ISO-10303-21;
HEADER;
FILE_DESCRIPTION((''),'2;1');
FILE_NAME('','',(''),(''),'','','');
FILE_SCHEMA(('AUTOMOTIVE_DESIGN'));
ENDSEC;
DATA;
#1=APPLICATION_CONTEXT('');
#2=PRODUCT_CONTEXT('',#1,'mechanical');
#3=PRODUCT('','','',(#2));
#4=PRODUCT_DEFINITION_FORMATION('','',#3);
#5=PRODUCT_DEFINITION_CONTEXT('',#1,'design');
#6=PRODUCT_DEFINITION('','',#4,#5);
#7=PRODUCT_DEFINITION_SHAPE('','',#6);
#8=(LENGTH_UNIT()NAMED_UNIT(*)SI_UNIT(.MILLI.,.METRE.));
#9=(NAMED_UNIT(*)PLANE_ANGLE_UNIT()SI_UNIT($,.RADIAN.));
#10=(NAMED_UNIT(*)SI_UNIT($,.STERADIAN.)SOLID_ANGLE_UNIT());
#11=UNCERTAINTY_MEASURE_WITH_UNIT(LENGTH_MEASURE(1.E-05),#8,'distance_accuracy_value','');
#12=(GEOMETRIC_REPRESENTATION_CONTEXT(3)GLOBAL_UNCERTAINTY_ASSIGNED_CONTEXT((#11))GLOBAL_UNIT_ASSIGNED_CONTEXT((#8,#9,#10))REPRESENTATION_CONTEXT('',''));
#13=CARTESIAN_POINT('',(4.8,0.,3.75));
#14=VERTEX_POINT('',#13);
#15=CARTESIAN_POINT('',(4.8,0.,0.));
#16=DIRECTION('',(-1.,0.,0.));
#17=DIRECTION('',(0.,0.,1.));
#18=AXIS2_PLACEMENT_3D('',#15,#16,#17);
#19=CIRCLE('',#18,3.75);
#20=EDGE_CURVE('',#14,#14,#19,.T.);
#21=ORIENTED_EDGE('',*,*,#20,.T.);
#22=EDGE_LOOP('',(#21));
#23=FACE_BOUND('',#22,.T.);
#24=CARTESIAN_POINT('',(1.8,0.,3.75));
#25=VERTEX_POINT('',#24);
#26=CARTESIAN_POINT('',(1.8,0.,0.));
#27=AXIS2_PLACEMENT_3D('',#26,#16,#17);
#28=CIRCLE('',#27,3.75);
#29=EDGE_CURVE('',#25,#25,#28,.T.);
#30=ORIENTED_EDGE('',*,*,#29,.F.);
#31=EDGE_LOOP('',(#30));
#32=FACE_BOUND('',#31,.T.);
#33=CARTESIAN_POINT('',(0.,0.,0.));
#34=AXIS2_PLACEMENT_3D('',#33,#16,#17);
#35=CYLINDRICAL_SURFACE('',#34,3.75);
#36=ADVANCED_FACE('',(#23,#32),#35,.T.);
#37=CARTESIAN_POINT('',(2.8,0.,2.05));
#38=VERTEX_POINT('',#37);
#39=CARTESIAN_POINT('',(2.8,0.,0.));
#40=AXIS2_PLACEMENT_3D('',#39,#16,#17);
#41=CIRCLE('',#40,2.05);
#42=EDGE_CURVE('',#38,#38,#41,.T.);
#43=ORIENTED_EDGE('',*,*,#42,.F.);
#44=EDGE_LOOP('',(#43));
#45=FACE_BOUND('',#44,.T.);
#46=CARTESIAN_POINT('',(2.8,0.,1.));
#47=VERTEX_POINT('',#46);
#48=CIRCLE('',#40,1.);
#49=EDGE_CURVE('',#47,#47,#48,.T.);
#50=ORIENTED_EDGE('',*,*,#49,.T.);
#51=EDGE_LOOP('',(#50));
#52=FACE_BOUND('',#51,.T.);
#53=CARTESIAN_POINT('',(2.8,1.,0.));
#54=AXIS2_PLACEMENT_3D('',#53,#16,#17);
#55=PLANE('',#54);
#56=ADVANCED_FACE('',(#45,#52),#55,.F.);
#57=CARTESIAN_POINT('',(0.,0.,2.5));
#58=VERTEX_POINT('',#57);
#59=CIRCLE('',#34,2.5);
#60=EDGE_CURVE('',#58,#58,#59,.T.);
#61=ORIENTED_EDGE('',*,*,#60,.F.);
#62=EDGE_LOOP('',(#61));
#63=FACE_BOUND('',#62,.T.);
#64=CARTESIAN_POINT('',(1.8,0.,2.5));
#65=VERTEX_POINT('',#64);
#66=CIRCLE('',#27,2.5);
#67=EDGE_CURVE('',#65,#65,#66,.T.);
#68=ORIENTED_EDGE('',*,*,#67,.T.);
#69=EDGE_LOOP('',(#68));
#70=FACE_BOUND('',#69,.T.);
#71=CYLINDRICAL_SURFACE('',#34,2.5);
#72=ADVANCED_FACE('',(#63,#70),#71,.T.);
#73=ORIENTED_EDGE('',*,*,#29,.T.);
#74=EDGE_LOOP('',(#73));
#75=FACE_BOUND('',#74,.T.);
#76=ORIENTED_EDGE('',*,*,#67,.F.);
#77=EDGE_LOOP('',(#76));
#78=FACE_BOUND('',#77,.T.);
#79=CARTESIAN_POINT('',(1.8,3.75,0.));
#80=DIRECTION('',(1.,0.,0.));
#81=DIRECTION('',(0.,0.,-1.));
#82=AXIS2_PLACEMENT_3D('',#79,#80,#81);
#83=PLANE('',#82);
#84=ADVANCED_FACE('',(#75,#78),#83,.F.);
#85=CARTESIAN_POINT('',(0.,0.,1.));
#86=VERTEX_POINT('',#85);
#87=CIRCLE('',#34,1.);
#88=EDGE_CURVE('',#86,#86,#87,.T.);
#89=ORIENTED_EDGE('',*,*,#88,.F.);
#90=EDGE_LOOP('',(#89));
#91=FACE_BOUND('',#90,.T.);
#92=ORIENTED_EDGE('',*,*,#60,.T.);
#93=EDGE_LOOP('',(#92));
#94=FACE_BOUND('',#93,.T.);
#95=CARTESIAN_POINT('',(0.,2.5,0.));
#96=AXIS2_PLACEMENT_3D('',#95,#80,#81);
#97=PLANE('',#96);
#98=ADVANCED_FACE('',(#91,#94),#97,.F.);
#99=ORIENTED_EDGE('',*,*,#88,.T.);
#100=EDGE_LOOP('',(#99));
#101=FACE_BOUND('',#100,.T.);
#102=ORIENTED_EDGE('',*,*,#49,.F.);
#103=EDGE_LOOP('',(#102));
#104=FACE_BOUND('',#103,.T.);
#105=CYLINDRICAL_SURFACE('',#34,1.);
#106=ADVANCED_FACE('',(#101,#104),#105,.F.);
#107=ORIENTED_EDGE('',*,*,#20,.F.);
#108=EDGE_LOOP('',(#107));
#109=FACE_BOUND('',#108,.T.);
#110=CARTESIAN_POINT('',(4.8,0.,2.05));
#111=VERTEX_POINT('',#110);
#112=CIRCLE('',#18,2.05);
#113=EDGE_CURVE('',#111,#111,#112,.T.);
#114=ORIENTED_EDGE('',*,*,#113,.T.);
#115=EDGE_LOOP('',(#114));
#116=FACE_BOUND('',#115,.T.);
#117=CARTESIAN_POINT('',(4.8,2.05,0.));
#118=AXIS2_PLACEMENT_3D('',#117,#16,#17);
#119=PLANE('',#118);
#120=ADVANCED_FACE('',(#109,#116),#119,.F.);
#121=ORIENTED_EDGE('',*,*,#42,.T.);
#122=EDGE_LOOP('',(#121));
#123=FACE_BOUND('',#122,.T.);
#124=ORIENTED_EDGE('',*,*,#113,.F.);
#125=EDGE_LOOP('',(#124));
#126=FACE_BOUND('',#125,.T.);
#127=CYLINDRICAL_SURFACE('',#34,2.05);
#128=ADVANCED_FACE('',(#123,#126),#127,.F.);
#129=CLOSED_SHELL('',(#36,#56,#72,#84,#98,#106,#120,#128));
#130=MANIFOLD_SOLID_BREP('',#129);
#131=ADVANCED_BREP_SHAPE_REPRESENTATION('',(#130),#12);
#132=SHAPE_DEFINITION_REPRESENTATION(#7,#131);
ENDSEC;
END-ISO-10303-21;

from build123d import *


with BuildPart() as part:
    # Sketch1 → Revolve1 (revolve)
    with BuildSketch(Plane.XY):
        Polygon((0, 1), (2.8, 1), (2.8, 2.05), (4.8, 2.05), (4.8, 3.75), (1.8, 3.75), (1.8, 2.5), (0, 2.5), align=None)
    revolve(axis=Axis((0, 0, 0), (1, 0, 0)))


solid = part.part
